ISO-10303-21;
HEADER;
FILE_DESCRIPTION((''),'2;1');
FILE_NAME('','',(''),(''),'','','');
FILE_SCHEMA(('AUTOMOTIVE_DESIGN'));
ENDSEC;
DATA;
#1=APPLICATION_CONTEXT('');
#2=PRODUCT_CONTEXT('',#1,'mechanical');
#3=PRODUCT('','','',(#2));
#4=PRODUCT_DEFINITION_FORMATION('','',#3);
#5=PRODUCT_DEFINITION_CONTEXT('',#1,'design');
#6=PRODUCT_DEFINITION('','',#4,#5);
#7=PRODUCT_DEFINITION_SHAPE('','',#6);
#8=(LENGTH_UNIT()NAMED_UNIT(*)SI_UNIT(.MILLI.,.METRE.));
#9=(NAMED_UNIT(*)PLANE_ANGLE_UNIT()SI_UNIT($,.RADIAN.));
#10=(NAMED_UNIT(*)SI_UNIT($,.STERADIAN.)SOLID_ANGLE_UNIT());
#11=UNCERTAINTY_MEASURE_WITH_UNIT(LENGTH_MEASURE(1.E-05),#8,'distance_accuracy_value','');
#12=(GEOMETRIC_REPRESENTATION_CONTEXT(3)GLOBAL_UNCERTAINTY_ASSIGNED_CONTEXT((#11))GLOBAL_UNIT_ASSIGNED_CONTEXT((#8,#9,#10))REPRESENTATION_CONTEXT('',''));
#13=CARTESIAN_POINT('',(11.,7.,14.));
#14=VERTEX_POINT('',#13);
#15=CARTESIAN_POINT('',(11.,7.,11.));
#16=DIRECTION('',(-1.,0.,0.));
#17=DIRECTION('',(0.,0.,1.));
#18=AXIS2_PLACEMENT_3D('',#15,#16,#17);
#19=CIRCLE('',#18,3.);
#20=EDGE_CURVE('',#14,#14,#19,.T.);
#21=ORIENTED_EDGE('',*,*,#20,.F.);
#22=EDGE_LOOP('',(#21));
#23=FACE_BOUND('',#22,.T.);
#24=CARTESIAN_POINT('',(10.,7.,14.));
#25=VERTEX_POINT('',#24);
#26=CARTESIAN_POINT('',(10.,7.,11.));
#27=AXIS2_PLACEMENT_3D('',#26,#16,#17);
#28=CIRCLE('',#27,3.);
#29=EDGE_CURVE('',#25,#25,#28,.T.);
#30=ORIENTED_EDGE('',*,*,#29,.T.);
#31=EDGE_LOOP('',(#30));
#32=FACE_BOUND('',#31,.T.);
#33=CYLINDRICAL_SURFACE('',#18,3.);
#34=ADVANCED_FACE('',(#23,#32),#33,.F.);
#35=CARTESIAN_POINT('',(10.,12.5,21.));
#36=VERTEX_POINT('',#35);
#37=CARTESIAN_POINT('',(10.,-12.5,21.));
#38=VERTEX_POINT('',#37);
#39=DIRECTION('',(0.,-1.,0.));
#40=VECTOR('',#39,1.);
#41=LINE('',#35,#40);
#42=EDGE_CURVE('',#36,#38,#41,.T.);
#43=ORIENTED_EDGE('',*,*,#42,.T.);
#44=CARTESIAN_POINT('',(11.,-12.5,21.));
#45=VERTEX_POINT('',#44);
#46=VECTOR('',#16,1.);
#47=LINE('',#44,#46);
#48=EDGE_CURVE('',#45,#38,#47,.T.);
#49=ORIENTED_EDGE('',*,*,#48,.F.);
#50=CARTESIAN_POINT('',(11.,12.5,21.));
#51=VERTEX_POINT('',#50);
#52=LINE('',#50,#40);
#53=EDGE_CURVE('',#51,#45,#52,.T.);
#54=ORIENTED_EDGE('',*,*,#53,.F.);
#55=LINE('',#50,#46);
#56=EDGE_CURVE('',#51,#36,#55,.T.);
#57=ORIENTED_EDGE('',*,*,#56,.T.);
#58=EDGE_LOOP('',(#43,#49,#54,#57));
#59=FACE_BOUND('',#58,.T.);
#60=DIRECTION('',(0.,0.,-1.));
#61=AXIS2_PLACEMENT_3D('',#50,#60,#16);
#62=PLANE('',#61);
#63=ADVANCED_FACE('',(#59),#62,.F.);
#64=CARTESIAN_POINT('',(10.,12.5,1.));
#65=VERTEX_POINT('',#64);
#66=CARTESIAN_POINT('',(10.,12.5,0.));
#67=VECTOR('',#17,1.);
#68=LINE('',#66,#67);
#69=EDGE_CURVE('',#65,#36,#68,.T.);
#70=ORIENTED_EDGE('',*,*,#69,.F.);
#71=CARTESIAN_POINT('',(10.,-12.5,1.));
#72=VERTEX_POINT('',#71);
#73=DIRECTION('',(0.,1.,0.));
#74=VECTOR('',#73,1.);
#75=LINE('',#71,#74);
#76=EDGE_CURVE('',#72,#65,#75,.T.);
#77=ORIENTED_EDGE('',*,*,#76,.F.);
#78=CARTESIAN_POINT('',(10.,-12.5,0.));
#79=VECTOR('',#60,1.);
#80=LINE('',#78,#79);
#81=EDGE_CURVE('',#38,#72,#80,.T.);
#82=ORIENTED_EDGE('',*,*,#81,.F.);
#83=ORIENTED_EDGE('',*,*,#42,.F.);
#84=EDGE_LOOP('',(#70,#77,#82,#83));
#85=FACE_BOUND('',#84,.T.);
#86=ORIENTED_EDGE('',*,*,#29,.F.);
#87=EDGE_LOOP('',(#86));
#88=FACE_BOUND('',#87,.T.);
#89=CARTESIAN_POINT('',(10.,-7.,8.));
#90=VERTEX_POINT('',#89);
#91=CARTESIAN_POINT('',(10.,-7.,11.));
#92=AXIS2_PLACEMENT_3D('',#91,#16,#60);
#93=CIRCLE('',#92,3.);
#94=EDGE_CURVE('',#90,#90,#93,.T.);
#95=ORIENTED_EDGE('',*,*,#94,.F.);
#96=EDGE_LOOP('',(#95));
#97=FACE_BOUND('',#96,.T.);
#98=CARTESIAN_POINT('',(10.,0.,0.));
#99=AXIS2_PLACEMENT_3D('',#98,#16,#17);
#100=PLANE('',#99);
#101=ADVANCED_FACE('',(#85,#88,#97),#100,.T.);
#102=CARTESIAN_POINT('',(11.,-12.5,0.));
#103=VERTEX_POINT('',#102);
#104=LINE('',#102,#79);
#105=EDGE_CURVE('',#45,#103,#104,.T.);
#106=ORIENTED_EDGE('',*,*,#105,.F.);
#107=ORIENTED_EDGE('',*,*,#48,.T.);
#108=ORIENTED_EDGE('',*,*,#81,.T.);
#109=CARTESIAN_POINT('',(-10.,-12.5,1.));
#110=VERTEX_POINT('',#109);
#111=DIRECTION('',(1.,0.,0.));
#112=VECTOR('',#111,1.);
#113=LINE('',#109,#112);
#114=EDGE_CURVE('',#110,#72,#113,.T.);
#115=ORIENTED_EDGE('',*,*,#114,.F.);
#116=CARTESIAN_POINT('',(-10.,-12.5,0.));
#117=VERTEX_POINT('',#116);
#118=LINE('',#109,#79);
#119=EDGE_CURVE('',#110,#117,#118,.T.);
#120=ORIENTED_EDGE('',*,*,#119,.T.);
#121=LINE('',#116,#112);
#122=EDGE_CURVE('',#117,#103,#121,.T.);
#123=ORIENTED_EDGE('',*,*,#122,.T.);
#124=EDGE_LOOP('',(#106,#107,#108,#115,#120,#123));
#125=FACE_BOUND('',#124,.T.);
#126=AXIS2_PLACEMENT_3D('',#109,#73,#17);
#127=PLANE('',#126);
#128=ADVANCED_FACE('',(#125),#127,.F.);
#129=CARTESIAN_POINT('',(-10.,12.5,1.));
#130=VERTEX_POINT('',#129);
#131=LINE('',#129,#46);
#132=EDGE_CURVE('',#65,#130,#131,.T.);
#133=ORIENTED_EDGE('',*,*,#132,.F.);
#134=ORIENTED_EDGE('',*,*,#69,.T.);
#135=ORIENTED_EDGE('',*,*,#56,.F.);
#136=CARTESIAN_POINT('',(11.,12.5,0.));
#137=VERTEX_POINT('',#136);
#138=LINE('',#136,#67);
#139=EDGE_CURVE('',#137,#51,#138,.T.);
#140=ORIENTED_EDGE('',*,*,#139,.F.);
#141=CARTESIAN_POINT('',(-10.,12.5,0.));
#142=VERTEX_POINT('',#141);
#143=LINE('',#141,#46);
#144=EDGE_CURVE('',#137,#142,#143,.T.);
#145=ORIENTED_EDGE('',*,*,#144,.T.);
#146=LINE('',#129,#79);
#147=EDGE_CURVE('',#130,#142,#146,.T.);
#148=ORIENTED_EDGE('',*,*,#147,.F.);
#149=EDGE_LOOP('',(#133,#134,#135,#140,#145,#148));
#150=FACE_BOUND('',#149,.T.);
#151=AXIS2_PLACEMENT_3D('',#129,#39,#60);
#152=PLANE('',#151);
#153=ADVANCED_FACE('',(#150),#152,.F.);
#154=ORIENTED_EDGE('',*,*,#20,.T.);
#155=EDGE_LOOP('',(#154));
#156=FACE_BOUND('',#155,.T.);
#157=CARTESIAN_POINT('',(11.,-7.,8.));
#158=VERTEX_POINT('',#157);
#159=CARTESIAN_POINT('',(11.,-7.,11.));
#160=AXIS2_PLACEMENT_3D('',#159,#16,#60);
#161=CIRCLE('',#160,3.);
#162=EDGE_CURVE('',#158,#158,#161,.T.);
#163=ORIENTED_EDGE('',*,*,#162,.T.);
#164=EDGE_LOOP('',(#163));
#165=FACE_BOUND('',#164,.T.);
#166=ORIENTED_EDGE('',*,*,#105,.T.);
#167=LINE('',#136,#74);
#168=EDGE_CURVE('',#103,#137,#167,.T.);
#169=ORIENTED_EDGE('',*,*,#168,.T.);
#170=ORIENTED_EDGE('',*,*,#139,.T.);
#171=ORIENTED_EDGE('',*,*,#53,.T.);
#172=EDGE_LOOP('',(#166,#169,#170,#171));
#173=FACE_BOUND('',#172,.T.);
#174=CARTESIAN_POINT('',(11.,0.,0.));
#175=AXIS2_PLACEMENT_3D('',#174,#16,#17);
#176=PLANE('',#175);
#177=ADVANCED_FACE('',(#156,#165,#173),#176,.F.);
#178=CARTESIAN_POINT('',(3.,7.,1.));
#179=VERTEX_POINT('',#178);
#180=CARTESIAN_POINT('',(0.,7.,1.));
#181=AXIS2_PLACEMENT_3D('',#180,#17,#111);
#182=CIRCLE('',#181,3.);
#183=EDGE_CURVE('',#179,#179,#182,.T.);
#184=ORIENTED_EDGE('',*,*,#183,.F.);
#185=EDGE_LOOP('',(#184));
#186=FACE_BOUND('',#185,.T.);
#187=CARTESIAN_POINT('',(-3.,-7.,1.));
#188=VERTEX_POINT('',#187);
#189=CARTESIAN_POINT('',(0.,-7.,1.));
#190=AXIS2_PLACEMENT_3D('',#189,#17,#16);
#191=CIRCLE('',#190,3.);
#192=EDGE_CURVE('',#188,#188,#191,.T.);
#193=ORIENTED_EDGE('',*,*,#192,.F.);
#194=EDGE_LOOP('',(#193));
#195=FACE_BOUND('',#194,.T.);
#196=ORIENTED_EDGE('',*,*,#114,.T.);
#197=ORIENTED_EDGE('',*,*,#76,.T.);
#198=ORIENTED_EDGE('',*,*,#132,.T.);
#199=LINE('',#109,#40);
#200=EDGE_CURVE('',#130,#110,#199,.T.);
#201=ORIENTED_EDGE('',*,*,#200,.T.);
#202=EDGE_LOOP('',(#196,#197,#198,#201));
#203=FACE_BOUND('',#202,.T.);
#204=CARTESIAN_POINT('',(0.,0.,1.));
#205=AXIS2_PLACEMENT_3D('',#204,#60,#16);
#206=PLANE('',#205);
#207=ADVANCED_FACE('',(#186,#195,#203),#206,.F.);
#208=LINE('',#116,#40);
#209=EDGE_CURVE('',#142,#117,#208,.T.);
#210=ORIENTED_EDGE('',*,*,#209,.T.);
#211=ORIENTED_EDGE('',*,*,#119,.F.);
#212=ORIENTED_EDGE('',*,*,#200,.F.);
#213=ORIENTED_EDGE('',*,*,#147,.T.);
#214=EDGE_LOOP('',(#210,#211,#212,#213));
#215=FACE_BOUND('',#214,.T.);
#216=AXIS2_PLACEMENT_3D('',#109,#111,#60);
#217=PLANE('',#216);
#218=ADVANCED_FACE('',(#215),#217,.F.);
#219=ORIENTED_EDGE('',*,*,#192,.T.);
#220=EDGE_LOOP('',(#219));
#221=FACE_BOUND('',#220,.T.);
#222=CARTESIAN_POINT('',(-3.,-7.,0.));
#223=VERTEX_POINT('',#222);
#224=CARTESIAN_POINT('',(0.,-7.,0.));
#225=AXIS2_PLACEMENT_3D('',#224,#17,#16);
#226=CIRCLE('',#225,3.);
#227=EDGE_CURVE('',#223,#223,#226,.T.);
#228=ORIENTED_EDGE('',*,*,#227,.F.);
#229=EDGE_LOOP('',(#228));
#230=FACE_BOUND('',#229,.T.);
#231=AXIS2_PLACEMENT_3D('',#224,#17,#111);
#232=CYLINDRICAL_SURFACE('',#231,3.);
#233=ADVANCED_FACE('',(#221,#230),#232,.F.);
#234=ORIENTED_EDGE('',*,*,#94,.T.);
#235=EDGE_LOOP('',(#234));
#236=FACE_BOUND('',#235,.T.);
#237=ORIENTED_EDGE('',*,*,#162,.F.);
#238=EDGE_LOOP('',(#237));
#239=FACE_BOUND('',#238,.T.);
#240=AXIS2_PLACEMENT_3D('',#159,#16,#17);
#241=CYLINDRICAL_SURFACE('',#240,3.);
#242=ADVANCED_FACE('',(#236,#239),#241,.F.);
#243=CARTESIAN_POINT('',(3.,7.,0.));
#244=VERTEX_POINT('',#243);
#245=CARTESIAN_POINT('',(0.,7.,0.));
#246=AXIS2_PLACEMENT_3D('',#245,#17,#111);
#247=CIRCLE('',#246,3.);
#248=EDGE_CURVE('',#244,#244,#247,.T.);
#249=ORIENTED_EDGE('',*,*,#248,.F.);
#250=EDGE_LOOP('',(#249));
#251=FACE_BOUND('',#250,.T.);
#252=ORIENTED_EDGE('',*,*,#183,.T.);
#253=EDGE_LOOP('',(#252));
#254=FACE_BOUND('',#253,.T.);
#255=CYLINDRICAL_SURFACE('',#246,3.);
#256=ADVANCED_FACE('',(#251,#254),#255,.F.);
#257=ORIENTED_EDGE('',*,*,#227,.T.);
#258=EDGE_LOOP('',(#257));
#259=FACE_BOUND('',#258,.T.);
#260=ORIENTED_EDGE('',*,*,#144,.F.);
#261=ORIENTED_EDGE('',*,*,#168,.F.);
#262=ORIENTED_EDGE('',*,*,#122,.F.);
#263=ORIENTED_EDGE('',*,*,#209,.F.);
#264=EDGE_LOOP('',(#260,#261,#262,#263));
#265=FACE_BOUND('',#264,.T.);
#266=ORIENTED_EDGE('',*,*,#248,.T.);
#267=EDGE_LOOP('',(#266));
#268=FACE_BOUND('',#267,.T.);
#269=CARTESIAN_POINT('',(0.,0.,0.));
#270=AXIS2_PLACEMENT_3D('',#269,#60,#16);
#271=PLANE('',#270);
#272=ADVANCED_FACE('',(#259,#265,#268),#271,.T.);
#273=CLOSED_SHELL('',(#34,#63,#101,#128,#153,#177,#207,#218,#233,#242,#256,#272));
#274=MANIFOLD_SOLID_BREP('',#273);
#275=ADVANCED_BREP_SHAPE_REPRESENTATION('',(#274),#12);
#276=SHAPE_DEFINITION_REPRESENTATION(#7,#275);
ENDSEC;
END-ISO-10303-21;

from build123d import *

# Parameters (mm, degrees)
SKETCH1_W           = 20
SKETCH1_H           = 25
BOSS_EXTRUDE1_DEPTH = 1
SKETCH3_W           = 21
SKETCH3_H           = 25
BOSS_EXTRUDE2_DEPTH = 1
SKETCH4_R           = 3
CUT_EXTRUDE1_DEPTH  = 27.024027359
SKETCH5_R           = 3
CUT_EXTRUDE2_DEPTH  = 32.579265349


with BuildPart() as part:
    # Sketch1 → Boss-Extrude1 (new body)
    with BuildSketch(Plane.XY):
        Rectangle(SKETCH1_W, SKETCH1_H)
    extrude(amount=BOSS_EXTRUDE1_DEPTH)

    # Sketch3 → Boss-Extrude2 (add)
    with BuildSketch(Plane(origin=(10, 0, 0), x_dir=(0, 0, -1), z_dir=(1, 0, 0))):
        with Locations((-10.5, 0)):
            Rectangle(SKETCH3_W, SKETCH3_H)
    extrude(amount=BOSS_EXTRUDE2_DEPTH)

    # Sketch4 → Cut-Extrude1 (cut, through all)
    with BuildSketch(Plane.XY.offset(1)):
        with Locations((0, 7)):
            Circle(SKETCH4_R)
        with Locations(Location((0, -7, 0), (0, 0, 180))):
            Circle(SKETCH4_R)
    extrude(amount=-CUT_EXTRUDE1_DEPTH, mode=Mode.SUBTRACT)

    # Sketch5 → Cut-Extrude2 (cut, through all)
    with BuildSketch(Plane.ZY.offset(-10)):
        with Locations((11, 7)):
            Circle(SKETCH5_R)
        with Locations(Location((11, -7, 0), (0, 0, 180))):
            Circle(SKETCH5_R)
    extrude(amount=-CUT_EXTRUDE2_DEPTH, mode=Mode.SUBTRACT)


solid = part.part
